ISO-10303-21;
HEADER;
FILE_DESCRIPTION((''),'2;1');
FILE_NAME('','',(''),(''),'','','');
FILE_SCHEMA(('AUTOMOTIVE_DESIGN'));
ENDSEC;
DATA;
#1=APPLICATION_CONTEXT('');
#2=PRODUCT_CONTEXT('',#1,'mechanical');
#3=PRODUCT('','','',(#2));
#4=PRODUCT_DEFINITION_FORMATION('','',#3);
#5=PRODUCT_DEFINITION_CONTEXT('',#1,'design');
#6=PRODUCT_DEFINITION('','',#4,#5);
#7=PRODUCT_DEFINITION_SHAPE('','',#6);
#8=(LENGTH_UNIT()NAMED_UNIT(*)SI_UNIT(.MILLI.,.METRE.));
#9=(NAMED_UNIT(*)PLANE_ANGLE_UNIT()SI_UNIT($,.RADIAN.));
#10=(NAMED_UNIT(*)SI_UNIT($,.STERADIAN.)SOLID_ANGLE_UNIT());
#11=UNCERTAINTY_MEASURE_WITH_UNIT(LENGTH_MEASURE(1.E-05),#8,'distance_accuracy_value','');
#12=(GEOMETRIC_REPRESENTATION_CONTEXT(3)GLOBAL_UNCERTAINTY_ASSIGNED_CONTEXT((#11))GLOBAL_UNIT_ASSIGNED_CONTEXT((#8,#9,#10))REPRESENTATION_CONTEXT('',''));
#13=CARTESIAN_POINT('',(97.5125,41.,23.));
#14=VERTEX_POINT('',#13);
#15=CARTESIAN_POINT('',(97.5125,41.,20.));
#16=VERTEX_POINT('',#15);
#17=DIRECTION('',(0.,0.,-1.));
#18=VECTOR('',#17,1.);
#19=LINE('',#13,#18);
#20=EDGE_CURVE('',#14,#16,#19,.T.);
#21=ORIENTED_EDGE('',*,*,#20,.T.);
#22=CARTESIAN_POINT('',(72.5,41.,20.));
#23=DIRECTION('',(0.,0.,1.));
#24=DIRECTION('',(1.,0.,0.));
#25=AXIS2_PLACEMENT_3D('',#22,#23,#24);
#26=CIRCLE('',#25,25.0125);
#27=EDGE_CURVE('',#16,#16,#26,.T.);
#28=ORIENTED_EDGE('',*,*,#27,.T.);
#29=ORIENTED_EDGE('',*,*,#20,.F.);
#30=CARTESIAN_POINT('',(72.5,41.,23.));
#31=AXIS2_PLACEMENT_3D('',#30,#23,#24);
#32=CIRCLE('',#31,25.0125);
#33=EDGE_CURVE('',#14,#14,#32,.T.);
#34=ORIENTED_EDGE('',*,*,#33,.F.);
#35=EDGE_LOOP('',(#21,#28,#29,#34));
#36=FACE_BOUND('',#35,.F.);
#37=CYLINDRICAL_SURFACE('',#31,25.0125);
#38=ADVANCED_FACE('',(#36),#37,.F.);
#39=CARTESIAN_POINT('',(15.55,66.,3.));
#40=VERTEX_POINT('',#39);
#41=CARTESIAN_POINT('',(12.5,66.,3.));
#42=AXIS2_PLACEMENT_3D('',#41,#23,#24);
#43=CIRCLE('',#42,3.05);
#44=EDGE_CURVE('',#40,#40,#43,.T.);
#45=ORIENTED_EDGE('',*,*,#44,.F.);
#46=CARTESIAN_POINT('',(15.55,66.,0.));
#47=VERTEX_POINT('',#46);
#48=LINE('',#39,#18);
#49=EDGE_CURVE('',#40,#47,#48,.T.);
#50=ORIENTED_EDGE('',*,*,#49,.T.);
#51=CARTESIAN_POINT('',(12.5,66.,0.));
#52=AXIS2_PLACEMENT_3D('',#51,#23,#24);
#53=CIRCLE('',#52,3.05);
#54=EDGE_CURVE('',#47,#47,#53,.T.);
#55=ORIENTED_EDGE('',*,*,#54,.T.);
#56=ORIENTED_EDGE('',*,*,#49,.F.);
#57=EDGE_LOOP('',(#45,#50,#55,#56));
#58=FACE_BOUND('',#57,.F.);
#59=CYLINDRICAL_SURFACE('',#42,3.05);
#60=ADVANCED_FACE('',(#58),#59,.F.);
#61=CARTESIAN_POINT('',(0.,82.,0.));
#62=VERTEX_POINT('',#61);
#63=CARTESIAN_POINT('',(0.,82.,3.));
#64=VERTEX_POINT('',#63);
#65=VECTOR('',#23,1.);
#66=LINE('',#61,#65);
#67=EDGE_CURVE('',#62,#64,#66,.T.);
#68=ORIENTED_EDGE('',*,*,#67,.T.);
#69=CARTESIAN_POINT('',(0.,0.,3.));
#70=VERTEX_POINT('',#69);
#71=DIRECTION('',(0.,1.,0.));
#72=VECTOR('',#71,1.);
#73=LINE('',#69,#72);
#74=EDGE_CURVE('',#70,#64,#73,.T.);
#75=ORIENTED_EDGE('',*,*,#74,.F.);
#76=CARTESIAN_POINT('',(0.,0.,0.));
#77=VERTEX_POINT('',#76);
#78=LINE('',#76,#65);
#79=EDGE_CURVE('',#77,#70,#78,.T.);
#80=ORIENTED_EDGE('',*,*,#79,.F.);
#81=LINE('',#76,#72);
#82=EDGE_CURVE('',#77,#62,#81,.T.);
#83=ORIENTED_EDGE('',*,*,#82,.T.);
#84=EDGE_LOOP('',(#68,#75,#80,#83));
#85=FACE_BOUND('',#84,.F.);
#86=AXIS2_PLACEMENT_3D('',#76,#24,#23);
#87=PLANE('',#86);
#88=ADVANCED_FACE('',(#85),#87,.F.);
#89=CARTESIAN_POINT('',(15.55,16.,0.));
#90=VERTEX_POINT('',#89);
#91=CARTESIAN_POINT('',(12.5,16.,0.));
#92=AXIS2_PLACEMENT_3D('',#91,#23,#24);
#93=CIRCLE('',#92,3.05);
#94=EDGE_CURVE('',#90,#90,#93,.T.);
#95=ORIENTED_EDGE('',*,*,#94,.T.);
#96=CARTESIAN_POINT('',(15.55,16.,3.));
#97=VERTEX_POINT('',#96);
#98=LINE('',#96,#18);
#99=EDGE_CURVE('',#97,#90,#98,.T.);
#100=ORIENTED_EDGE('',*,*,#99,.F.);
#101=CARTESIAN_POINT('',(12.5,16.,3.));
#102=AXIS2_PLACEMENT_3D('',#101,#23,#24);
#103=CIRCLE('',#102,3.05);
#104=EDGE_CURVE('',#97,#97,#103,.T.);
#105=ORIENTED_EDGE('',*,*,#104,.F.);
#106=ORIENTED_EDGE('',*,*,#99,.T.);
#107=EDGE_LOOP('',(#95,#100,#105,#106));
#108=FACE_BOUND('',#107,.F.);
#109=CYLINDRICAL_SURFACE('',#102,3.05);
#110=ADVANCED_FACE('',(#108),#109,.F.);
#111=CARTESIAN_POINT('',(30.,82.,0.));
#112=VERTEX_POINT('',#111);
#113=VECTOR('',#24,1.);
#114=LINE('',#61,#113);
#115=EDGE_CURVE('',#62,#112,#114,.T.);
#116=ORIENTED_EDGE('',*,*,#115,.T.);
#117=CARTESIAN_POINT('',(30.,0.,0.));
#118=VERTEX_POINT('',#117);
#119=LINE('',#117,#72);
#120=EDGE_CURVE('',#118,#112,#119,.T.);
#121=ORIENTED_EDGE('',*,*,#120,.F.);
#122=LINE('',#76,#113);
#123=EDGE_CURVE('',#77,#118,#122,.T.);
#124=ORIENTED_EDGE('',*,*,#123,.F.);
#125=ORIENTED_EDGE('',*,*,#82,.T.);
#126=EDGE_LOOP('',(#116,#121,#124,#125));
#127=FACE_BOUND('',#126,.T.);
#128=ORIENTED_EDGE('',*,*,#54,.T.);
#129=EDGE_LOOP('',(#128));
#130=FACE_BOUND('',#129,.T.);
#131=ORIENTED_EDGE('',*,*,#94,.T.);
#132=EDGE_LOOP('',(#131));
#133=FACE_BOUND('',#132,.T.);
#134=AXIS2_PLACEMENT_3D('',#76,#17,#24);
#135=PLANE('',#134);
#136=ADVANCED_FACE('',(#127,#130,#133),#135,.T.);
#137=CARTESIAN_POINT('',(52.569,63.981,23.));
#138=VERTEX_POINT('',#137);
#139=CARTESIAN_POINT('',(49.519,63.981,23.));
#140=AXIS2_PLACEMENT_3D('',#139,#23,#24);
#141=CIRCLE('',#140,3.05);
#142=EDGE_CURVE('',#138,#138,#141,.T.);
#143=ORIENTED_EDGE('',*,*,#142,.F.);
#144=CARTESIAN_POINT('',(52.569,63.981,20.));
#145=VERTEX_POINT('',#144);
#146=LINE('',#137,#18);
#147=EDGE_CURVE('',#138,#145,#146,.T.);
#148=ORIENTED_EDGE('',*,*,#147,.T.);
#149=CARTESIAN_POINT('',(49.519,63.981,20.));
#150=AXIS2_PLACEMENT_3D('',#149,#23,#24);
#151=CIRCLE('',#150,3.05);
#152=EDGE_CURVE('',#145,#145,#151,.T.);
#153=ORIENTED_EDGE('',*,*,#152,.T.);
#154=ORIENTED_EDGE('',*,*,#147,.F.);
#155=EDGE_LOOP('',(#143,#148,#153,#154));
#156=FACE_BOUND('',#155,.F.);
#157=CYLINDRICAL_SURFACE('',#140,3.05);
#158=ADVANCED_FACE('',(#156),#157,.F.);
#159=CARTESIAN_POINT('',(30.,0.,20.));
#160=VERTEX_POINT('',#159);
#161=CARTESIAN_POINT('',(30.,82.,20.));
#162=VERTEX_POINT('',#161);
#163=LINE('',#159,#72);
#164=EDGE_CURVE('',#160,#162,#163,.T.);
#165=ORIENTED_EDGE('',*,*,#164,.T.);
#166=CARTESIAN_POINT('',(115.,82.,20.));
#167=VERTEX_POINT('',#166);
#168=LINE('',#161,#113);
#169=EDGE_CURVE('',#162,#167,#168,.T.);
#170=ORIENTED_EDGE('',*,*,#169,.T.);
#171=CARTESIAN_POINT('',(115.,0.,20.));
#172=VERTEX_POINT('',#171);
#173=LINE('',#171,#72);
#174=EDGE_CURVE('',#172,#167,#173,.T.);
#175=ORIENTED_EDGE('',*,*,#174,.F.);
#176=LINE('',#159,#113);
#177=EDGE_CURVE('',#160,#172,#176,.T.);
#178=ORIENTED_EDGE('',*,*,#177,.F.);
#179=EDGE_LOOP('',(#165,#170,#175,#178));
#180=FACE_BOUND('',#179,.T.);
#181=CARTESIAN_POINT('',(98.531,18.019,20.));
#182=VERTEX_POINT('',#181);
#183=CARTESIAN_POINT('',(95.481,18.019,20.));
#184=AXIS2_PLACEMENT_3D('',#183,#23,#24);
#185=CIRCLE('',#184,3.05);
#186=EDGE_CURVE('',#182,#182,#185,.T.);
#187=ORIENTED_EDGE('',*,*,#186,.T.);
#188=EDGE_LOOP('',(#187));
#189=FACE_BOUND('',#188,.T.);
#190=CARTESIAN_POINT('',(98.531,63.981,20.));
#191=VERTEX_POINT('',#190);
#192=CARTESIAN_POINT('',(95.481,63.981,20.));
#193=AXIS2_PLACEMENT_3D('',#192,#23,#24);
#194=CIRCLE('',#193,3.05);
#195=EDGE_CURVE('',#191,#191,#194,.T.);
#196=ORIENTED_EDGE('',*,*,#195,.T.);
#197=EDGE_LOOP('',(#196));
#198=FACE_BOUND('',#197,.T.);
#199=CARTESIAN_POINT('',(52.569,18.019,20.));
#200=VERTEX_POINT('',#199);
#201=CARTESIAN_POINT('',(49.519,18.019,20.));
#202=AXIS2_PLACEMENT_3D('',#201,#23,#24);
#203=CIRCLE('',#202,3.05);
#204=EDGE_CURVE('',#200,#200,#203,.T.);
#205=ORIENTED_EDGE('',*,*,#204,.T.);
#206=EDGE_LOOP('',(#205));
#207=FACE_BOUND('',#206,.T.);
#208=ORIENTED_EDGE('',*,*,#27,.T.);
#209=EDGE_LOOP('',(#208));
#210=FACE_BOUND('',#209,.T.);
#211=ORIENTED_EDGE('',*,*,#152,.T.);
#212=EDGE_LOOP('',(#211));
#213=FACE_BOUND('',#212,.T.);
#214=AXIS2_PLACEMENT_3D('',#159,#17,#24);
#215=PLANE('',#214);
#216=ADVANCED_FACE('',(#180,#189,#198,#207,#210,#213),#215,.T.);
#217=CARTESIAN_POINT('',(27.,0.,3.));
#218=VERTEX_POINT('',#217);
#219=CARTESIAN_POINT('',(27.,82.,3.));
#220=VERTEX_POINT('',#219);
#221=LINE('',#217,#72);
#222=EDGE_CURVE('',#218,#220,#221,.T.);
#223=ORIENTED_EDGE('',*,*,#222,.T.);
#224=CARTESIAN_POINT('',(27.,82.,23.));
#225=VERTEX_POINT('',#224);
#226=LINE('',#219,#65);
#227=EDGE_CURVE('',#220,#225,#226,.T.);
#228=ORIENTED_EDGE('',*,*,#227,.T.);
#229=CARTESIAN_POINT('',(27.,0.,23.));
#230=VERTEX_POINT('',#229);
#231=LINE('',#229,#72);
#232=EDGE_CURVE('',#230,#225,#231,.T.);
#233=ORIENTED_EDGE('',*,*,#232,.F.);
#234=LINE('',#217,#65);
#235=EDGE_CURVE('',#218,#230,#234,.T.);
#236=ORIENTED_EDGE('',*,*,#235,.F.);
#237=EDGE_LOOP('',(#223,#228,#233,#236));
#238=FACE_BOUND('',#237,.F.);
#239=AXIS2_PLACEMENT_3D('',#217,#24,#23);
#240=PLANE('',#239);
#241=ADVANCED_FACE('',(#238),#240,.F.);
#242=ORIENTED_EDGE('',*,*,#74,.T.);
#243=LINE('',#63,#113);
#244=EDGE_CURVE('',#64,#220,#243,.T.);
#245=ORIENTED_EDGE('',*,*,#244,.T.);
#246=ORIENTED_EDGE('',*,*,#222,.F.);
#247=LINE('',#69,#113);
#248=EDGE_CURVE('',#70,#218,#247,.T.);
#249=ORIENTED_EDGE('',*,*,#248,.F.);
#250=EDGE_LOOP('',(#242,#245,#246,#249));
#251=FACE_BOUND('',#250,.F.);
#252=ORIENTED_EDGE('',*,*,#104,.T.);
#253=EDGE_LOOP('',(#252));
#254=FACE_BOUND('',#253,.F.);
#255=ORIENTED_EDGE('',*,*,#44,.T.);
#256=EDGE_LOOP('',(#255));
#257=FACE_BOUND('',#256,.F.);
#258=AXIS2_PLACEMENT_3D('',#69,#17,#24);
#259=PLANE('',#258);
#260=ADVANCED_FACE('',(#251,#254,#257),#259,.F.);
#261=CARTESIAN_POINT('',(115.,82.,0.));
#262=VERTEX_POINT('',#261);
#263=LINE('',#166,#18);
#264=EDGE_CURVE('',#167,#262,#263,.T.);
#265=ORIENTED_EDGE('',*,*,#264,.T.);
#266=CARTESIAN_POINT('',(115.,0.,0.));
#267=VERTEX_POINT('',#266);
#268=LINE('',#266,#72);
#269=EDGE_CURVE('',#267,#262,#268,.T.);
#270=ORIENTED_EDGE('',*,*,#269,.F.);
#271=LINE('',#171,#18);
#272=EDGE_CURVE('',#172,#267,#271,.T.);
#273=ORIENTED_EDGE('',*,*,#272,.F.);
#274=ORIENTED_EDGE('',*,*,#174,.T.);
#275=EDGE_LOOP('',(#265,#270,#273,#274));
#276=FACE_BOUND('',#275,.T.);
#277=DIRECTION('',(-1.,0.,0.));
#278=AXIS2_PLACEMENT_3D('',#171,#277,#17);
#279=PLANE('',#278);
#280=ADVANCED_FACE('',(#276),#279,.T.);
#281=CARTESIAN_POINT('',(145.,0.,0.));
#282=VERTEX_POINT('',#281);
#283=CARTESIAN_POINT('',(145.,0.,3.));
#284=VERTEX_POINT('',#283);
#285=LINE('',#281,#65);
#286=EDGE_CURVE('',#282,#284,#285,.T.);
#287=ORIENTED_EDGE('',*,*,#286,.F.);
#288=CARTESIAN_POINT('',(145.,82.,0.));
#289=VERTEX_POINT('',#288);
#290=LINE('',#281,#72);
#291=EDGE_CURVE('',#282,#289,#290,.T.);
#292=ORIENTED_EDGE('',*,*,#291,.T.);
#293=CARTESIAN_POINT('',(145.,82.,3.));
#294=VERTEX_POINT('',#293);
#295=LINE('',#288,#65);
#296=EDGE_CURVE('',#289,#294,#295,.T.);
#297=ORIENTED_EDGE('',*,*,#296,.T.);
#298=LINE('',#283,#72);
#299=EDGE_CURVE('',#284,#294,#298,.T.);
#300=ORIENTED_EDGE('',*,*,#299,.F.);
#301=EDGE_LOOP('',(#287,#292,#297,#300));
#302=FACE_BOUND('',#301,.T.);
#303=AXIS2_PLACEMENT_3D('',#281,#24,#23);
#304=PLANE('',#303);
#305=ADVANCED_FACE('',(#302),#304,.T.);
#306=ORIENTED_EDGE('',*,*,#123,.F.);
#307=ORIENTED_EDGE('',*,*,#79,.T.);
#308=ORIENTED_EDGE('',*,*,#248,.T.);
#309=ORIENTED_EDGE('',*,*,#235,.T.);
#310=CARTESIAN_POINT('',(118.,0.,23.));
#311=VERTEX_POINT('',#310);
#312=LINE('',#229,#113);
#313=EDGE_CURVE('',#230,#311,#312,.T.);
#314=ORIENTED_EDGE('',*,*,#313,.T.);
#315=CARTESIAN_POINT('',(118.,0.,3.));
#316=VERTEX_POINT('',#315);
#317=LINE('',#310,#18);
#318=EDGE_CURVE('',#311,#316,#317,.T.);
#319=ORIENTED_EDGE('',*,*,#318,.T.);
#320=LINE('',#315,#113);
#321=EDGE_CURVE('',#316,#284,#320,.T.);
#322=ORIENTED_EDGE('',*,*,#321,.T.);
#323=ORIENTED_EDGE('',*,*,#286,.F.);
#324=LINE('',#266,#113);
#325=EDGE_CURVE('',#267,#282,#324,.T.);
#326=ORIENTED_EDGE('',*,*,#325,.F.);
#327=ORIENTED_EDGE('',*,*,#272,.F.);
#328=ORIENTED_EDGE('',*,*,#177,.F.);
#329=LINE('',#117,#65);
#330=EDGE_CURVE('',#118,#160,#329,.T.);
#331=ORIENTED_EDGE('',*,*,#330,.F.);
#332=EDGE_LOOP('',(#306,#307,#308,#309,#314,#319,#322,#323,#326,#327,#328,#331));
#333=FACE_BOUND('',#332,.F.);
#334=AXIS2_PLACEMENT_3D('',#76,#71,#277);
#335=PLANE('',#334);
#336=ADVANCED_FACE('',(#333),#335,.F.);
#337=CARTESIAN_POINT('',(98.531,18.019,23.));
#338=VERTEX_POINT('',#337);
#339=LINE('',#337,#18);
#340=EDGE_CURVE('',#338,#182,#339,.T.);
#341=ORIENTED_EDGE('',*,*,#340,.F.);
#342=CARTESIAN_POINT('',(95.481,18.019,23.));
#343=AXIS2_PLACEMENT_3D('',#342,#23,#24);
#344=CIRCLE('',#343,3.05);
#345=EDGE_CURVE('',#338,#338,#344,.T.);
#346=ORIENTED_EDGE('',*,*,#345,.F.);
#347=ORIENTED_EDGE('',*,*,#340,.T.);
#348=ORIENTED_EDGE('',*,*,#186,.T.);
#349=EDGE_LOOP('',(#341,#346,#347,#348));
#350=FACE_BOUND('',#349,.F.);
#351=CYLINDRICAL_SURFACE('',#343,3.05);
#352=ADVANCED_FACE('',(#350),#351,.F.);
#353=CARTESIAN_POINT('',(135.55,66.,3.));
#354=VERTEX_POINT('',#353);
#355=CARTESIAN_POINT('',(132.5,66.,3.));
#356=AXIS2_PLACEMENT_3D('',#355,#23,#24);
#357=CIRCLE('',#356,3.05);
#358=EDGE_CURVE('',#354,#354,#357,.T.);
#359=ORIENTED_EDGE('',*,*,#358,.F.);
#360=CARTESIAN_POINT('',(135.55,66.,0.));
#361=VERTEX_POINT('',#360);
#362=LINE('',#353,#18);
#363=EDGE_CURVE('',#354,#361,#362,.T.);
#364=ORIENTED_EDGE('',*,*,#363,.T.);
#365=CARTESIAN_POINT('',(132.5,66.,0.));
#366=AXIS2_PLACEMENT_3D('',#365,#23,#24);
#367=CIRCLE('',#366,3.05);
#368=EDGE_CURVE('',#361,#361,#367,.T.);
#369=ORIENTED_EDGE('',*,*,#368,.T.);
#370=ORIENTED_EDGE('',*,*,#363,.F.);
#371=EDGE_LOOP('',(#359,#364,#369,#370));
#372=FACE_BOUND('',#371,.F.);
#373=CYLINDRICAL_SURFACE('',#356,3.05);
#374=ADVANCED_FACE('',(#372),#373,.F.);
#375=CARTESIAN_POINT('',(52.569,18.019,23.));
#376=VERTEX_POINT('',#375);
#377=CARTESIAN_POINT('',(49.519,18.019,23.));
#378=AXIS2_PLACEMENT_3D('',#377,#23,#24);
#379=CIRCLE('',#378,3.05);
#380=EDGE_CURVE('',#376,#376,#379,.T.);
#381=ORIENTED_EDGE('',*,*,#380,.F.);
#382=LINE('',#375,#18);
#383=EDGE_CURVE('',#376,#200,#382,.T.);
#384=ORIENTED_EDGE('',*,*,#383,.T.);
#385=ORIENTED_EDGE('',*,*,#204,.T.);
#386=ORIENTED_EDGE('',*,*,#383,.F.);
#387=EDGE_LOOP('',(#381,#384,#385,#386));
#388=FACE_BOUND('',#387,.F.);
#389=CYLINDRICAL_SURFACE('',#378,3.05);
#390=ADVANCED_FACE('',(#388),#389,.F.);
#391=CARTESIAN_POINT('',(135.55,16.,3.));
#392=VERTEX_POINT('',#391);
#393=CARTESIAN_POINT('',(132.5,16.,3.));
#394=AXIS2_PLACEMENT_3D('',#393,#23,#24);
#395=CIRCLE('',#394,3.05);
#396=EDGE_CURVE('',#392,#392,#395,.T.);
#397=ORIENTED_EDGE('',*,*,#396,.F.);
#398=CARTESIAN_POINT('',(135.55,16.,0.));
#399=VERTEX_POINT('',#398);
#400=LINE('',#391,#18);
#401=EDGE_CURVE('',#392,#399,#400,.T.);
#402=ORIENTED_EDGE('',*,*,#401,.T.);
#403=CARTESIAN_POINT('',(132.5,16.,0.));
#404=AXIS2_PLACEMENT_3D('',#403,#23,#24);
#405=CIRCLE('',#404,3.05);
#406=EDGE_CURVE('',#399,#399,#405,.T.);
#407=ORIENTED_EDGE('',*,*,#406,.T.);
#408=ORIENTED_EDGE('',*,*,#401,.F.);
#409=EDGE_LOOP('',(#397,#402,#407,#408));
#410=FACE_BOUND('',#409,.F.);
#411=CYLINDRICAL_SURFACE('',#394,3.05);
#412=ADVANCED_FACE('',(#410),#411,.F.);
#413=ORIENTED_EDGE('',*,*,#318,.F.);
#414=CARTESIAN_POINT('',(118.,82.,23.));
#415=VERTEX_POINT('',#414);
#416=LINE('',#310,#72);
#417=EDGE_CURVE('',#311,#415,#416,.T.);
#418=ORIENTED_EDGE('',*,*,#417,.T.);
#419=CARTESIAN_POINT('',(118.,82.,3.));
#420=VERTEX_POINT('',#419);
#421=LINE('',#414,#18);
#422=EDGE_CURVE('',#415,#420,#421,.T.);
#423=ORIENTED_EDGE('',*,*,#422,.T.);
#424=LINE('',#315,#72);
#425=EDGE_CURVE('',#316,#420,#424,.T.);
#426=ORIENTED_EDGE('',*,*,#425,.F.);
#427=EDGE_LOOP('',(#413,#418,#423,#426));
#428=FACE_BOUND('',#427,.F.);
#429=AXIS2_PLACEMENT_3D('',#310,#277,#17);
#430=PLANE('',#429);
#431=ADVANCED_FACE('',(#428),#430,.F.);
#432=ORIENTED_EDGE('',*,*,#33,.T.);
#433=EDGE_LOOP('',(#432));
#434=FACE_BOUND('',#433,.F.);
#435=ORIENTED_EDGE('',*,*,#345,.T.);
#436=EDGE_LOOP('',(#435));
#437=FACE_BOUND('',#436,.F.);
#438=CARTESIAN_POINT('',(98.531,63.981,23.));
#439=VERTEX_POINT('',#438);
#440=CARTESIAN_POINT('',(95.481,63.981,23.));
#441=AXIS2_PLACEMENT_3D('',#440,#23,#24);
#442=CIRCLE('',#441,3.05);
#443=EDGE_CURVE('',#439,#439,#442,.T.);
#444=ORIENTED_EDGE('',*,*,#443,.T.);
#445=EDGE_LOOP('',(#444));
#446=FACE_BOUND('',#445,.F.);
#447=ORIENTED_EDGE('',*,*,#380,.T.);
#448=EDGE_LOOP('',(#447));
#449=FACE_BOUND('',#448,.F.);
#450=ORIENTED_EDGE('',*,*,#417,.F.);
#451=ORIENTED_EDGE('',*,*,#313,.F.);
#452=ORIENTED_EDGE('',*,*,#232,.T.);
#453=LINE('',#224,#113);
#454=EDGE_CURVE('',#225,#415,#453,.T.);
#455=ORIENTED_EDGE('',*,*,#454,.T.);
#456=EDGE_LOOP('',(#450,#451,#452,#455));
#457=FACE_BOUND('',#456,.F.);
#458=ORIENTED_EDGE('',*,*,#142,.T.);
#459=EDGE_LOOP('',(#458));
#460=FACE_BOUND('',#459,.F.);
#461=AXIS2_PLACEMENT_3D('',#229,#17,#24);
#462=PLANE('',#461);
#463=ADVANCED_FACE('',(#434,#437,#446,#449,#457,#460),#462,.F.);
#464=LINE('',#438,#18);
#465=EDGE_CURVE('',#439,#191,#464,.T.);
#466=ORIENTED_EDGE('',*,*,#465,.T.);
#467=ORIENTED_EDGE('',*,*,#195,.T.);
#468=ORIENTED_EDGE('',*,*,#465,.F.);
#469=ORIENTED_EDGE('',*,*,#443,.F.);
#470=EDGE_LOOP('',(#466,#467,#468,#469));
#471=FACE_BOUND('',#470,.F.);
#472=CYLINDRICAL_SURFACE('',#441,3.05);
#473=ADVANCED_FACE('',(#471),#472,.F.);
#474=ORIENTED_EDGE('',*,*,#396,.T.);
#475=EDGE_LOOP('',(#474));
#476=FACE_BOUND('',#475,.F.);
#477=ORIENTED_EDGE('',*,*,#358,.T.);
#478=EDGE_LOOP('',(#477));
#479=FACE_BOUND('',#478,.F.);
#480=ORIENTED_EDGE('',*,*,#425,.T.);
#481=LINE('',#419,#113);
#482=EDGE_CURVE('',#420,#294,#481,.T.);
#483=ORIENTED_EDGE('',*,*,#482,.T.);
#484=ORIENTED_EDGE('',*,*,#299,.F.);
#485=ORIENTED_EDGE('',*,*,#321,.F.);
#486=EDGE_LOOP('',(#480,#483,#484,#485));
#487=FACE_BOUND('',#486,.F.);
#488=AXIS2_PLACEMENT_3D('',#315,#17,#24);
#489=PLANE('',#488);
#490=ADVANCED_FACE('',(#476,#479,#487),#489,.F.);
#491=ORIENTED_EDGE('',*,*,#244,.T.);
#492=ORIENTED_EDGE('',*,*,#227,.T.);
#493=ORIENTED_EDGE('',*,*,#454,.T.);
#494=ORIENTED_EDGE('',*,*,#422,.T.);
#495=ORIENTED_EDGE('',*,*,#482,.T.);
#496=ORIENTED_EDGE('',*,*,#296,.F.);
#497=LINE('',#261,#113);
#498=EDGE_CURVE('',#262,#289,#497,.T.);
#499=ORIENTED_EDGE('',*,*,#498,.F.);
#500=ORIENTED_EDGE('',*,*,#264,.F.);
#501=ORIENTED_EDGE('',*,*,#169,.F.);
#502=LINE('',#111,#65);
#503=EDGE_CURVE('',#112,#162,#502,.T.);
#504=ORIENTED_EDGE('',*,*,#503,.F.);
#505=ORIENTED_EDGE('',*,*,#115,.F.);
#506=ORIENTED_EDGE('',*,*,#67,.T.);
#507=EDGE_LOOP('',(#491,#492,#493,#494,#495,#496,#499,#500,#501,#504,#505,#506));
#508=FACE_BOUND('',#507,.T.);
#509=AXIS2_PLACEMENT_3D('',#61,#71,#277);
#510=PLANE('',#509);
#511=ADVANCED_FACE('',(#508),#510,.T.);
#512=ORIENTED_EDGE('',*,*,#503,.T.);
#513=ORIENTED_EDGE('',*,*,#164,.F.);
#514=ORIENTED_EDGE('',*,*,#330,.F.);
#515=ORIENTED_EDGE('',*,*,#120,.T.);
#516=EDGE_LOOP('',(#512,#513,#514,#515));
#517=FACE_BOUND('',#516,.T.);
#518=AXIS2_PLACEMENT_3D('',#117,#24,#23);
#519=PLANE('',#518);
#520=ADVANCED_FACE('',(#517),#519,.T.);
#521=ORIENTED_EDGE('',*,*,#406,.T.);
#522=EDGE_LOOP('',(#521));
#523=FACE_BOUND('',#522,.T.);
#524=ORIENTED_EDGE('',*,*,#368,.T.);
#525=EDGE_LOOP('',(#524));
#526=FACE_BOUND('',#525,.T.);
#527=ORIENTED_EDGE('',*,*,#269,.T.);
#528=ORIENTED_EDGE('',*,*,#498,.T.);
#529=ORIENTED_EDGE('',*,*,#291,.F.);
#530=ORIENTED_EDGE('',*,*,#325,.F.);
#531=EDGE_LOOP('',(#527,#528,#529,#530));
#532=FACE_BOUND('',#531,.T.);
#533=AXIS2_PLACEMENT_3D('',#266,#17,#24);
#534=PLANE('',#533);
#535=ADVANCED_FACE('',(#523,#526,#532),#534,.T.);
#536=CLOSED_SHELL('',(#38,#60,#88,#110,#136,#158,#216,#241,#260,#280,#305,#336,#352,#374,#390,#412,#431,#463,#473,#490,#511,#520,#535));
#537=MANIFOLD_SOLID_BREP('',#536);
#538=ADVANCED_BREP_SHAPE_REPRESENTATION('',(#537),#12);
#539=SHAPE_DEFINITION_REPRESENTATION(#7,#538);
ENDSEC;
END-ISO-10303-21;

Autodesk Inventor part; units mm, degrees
ref_plane "YZ Plane" through (0, 0, 0) normal (1, 0, 0) x (0, 1, 0)
ref_plane "XZ Plane" through (0, 0, 0) normal (0, 1, 0) x (-1, 0, 0)
ref_plane "XY Plane" through (0, 0, 0) normal (0, 0, 1) x (1, 0, 0)
sketch "Sketch1" plane through (0, 0, 0) normal (0, 1, 0) x (-1, 0, 0)
  line L0 (0, 0) -> (-30, 0)
  line L1 (-30, 0) -> (-30, 20)
  line L2 (-30, 20) -> (-115, 20)
  line L3 (-115, 20) -> (-115, 0)
  line L4 (-115, 0) -> (-145, 0)
  line L5 (0, 3) -> (-27, 3)
  line L6 (-27, 3) -> (-27, 23)
  line L7 (-27, 23) -> (-118, 23)
  line L8 (-118, 23) -> (-118, 3)
  line L9 (-118, 3) -> (-145, 3)
  line L10 (0, 0) -> (0, 3)
  line L11 (-145, 0) -> (-145, 3)
  dimension "d0" = 30
  dimension "d1" = 20
  dimension "d2" = 3
  dimension "d28" = 85
extrude "Extrusion1" add sketch "Sketch1" along normal blind 82
sketch "Sketch2" plane through (27, 0, 23) normal (0, 0, 1) x (1, 0, 0)
  line L0 (0, 82) -> (91, 82) projected
  line L1 (45.5, 82) -> (45.5, 0) construction
  line L2 (0, 0) -> (91, 0) projected
  circle A0 centre (45.5, 41) radius 32.5 construction
  line L3 (45.5, 41) -> (68.481, 63.981) construction
  circle A1 centre (68.481, 63.981) radius 3.05
  circle A2 centre (22.519, 63.981) radius 3.05
  circle A3 centre (22.519, 18.019) radius 3.05
  circle A4 centre (68.481, 18.019) radius 3.05
  circle A5 centre (45.5, 41) radius 25.0125
  point P0 (-27, 0)
  dimension "d6" = 65
  dimension "d7" = 6.1
  dimension "d8" = 45
  dimension "d11" = 360
  dimension "d15" = 50.025
extrude "Extrusion2" cut sketch "Sketch2" against normal blind 82
sketch "Sketch3" plane through (0, 0, 3) normal (0, 0, 1) x (1, 0, 0)
  circle A0 centre (72.5, 41) radius 25.0125 construction
  line L0 (12.5, 66) -> (132.5, 66) construction
  line L1 (132.5, 66) -> (132.5, 16) construction
  line L2 (132.5, 16) -> (12.5, 16) construction
  line L3 (12.5, 16) -> (12.5, 66) construction
  line L4 (12.5, 66) -> (132.5, 16) construction
  line L5 (132.5, 66) -> (12.5, 16) construction
  circle A1 centre (12.5, 66) radius 3.05
  circle A2 centre (12.5, 16) radius 3.05
  circle A3 centre (132.5, 66) radius 3.05
  circle A4 centre (132.5, 16) radius 3.05
  dimension "d29" = 6.1
  dimension "d30" = 120
  dimension "d31" = 50
extrude "Extrusion3" cut sketch "Sketch3" against normal blind 10
properties part number "MotorBracket"
